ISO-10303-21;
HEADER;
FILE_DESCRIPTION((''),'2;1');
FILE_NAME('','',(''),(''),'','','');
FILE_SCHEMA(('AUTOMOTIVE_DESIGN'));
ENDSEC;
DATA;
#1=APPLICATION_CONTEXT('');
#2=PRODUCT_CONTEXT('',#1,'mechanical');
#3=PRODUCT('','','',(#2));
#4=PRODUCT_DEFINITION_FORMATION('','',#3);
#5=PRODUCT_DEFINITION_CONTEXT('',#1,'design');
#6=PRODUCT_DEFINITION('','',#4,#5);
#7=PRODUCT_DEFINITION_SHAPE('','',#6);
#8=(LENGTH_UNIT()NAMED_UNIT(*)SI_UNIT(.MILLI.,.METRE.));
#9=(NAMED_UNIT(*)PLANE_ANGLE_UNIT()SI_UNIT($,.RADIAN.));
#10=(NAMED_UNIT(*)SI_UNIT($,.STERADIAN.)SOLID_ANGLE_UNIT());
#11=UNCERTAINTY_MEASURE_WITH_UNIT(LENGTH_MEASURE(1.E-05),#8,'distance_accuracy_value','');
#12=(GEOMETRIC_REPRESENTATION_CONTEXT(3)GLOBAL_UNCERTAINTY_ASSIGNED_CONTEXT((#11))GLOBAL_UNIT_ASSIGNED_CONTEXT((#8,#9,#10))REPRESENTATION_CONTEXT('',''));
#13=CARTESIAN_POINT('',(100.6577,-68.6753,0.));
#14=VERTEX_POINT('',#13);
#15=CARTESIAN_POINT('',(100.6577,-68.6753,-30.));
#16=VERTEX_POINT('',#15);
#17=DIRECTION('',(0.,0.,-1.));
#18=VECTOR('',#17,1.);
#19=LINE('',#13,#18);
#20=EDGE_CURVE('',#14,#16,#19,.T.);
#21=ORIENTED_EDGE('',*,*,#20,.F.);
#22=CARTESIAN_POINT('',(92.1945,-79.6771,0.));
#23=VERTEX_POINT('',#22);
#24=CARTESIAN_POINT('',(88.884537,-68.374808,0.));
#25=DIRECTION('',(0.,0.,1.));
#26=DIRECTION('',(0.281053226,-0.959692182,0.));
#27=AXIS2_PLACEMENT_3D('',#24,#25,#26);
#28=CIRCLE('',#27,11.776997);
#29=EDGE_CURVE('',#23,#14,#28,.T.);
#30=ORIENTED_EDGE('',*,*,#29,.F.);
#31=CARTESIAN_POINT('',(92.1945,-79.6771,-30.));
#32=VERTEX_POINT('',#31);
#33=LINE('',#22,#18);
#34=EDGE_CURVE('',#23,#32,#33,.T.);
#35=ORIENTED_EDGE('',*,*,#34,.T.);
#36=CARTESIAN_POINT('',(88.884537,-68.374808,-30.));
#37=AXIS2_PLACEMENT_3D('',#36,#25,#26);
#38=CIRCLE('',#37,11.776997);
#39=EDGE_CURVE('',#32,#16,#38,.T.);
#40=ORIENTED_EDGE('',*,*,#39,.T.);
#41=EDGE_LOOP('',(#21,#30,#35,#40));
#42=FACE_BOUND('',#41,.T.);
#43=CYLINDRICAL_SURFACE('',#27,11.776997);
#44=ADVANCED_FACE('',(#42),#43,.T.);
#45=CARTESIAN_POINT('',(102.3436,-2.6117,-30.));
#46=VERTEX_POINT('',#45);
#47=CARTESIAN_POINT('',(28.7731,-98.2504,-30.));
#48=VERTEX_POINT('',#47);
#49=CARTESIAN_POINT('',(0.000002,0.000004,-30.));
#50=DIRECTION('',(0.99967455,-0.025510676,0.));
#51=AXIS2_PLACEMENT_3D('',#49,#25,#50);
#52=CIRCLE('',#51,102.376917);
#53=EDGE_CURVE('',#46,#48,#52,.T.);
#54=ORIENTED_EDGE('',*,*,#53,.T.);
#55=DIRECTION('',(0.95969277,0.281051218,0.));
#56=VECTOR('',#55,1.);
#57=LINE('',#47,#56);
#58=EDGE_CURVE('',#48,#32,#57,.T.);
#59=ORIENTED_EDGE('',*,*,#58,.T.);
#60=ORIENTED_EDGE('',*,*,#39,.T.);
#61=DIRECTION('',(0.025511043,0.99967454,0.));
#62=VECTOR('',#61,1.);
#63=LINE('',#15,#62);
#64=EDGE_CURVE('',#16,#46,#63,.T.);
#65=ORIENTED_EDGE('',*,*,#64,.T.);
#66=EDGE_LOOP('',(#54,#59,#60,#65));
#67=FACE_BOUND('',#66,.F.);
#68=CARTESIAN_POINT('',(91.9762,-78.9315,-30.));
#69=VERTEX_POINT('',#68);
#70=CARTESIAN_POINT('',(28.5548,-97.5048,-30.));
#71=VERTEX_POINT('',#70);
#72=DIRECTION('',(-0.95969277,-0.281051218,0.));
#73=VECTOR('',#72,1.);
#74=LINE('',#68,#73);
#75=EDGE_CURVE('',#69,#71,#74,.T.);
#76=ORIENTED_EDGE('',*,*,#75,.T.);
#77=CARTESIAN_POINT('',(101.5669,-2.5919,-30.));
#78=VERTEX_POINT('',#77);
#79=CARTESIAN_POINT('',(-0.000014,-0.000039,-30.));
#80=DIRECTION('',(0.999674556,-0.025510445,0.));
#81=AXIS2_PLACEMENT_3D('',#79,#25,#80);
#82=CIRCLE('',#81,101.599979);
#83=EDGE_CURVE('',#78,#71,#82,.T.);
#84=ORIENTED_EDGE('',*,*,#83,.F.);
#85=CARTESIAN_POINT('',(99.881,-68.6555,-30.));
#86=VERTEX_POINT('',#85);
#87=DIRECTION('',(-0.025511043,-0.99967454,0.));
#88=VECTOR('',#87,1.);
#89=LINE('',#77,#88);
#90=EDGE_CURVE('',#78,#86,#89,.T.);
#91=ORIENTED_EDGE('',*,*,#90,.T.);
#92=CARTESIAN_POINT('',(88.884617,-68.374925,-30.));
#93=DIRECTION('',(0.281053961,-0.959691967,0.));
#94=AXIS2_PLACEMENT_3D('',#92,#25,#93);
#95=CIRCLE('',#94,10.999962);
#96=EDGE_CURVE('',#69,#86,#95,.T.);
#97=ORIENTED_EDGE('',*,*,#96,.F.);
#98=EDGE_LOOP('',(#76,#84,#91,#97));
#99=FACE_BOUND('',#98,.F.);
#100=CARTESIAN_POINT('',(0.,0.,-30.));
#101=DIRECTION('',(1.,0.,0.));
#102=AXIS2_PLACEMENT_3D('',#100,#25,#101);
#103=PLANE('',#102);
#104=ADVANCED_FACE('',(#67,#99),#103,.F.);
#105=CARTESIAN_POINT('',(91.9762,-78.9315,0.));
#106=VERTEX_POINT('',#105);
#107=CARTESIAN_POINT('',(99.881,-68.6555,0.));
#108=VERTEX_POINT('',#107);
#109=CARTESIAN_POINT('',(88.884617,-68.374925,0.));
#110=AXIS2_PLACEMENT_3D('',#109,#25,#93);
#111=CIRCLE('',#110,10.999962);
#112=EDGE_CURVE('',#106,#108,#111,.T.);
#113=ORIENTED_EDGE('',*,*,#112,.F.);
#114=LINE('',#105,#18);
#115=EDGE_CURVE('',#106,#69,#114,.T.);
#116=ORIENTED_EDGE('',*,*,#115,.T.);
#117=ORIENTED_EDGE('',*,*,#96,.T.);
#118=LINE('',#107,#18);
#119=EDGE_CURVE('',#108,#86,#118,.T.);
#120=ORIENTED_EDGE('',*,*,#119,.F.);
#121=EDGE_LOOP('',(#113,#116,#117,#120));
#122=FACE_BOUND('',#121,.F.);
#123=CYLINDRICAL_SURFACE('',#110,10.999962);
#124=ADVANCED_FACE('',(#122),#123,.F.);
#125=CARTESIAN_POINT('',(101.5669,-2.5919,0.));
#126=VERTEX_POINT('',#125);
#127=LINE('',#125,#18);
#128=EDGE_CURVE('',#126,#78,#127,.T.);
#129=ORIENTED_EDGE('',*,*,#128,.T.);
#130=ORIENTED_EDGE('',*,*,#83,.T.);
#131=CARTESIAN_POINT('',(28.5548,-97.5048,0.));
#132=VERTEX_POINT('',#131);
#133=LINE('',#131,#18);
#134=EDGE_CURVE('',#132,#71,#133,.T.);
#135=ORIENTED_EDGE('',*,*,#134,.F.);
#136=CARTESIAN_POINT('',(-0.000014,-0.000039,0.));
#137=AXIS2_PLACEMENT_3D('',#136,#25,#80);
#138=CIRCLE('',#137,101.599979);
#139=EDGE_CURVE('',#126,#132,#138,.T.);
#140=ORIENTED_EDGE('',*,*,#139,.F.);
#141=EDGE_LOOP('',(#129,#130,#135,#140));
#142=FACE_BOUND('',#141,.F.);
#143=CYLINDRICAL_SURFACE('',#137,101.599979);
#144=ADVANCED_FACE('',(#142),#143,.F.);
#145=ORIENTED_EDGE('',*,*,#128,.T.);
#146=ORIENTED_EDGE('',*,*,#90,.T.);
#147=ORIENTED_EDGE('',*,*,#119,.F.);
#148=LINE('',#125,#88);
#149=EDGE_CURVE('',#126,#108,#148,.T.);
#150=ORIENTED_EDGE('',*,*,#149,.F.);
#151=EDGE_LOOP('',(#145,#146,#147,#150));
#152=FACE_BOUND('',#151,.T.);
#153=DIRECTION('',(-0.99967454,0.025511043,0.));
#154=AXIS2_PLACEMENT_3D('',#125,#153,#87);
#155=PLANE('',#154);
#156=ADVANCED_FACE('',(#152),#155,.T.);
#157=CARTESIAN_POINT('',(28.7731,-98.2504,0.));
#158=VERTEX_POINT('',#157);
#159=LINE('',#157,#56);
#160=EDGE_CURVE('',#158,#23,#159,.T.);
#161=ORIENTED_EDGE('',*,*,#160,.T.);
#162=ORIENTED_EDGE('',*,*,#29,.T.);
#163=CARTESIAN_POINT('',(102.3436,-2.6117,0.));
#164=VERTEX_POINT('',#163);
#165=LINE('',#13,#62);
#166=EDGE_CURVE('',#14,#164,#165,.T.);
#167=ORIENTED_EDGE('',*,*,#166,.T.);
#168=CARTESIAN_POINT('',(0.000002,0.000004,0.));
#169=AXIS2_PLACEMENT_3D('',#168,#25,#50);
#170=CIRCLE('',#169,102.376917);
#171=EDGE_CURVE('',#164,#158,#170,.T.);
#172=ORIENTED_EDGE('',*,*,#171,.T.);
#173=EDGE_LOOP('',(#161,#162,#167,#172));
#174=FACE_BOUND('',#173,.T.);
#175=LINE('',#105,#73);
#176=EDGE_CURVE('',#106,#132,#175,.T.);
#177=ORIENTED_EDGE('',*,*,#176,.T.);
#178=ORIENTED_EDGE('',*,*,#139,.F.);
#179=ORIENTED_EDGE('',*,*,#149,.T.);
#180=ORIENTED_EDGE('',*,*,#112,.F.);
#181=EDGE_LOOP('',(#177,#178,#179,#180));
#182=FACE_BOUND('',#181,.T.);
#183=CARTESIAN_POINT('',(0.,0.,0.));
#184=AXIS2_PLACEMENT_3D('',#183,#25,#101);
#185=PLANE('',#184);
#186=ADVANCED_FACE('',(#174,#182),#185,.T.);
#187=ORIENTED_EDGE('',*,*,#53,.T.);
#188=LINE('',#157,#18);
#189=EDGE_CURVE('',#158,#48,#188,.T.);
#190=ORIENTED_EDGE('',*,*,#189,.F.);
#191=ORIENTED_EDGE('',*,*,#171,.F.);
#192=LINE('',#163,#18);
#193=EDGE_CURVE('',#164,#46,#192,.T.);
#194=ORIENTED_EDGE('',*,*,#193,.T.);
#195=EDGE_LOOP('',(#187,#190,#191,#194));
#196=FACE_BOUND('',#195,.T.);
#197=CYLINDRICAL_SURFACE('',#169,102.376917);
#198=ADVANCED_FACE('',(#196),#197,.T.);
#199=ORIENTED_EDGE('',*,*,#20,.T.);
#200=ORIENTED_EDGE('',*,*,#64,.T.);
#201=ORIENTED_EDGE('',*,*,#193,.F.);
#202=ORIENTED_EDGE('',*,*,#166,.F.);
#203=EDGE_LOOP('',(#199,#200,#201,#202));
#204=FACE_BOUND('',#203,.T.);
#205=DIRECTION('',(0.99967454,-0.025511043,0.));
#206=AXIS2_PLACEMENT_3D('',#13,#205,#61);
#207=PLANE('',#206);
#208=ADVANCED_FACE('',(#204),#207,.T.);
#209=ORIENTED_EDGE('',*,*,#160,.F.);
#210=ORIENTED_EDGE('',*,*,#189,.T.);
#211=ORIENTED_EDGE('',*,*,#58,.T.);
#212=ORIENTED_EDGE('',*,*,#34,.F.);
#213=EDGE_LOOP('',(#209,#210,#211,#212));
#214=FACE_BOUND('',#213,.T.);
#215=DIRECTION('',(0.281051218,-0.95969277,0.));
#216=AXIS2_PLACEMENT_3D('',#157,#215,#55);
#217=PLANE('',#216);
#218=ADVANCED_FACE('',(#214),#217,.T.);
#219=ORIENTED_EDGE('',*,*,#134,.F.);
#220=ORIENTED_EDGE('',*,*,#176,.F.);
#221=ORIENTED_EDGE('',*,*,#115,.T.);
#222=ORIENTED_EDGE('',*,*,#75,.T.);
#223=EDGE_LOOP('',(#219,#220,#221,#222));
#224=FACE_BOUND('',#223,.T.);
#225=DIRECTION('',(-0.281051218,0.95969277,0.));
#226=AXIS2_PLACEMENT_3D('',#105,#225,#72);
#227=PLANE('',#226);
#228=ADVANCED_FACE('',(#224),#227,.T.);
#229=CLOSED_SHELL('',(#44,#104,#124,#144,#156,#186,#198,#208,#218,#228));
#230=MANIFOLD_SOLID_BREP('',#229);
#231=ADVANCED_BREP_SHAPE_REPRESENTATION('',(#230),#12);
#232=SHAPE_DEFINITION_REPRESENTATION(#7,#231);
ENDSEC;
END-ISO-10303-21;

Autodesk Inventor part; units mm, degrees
ref_plane "YZ Plane" through (0, 0, 0) normal (1, 0, 0) x (0, 1, 0)
ref_plane "XZ Plane" through (0, 0, 0) normal (0, 1, 0) x (-1, 0, 0)
ref_plane "XY Plane" through (0, 0, 0) normal (0, 0, 1) x (1, 0, 0)
sketch "Sketch1" plane through (0, 0, 0) normal (0, 0, 1) x (1, 0, 0)
  circle A0 centre (0, 0) radius 101.6 construction
  arc A1 (78.464, -64.852) -> (82.3203, -59.5483) centre (88.8846, -68.3749) ccw construction
  line L0 (101.5669, -2.5919) -> (99.881, -68.6555)
  line L1 (91.9762, -78.9315) -> (28.5548, -97.5048)
  arc A2 (101.5669, -2.5919) -> (28.5548, -97.5048) centre (0, 0) ccw
  arc A3 (91.9762, -78.9315) -> (99.881, -68.6555) centre (88.8846, -68.3749) ccw
  line L2 (100.6577, -68.6753) -> (102.3436, -2.6117)
  arc A4 (102.3436, -2.6117) -> (28.7731, -98.2504) centre (0, 0) ccw
  line L3 (28.7731, -98.2504) -> (92.1945, -79.6771)
  arc A5 (92.1945, -79.6771) -> (100.6577, -68.6753) centre (88.8846, -68.3749) ccw
  point P0 (0, 0)
  dimension "d0" = 0.7769
extrude "Extrusion1" add sketch "Sketch1" against normal blind 30
properties part number "PoleHeightMarker"
